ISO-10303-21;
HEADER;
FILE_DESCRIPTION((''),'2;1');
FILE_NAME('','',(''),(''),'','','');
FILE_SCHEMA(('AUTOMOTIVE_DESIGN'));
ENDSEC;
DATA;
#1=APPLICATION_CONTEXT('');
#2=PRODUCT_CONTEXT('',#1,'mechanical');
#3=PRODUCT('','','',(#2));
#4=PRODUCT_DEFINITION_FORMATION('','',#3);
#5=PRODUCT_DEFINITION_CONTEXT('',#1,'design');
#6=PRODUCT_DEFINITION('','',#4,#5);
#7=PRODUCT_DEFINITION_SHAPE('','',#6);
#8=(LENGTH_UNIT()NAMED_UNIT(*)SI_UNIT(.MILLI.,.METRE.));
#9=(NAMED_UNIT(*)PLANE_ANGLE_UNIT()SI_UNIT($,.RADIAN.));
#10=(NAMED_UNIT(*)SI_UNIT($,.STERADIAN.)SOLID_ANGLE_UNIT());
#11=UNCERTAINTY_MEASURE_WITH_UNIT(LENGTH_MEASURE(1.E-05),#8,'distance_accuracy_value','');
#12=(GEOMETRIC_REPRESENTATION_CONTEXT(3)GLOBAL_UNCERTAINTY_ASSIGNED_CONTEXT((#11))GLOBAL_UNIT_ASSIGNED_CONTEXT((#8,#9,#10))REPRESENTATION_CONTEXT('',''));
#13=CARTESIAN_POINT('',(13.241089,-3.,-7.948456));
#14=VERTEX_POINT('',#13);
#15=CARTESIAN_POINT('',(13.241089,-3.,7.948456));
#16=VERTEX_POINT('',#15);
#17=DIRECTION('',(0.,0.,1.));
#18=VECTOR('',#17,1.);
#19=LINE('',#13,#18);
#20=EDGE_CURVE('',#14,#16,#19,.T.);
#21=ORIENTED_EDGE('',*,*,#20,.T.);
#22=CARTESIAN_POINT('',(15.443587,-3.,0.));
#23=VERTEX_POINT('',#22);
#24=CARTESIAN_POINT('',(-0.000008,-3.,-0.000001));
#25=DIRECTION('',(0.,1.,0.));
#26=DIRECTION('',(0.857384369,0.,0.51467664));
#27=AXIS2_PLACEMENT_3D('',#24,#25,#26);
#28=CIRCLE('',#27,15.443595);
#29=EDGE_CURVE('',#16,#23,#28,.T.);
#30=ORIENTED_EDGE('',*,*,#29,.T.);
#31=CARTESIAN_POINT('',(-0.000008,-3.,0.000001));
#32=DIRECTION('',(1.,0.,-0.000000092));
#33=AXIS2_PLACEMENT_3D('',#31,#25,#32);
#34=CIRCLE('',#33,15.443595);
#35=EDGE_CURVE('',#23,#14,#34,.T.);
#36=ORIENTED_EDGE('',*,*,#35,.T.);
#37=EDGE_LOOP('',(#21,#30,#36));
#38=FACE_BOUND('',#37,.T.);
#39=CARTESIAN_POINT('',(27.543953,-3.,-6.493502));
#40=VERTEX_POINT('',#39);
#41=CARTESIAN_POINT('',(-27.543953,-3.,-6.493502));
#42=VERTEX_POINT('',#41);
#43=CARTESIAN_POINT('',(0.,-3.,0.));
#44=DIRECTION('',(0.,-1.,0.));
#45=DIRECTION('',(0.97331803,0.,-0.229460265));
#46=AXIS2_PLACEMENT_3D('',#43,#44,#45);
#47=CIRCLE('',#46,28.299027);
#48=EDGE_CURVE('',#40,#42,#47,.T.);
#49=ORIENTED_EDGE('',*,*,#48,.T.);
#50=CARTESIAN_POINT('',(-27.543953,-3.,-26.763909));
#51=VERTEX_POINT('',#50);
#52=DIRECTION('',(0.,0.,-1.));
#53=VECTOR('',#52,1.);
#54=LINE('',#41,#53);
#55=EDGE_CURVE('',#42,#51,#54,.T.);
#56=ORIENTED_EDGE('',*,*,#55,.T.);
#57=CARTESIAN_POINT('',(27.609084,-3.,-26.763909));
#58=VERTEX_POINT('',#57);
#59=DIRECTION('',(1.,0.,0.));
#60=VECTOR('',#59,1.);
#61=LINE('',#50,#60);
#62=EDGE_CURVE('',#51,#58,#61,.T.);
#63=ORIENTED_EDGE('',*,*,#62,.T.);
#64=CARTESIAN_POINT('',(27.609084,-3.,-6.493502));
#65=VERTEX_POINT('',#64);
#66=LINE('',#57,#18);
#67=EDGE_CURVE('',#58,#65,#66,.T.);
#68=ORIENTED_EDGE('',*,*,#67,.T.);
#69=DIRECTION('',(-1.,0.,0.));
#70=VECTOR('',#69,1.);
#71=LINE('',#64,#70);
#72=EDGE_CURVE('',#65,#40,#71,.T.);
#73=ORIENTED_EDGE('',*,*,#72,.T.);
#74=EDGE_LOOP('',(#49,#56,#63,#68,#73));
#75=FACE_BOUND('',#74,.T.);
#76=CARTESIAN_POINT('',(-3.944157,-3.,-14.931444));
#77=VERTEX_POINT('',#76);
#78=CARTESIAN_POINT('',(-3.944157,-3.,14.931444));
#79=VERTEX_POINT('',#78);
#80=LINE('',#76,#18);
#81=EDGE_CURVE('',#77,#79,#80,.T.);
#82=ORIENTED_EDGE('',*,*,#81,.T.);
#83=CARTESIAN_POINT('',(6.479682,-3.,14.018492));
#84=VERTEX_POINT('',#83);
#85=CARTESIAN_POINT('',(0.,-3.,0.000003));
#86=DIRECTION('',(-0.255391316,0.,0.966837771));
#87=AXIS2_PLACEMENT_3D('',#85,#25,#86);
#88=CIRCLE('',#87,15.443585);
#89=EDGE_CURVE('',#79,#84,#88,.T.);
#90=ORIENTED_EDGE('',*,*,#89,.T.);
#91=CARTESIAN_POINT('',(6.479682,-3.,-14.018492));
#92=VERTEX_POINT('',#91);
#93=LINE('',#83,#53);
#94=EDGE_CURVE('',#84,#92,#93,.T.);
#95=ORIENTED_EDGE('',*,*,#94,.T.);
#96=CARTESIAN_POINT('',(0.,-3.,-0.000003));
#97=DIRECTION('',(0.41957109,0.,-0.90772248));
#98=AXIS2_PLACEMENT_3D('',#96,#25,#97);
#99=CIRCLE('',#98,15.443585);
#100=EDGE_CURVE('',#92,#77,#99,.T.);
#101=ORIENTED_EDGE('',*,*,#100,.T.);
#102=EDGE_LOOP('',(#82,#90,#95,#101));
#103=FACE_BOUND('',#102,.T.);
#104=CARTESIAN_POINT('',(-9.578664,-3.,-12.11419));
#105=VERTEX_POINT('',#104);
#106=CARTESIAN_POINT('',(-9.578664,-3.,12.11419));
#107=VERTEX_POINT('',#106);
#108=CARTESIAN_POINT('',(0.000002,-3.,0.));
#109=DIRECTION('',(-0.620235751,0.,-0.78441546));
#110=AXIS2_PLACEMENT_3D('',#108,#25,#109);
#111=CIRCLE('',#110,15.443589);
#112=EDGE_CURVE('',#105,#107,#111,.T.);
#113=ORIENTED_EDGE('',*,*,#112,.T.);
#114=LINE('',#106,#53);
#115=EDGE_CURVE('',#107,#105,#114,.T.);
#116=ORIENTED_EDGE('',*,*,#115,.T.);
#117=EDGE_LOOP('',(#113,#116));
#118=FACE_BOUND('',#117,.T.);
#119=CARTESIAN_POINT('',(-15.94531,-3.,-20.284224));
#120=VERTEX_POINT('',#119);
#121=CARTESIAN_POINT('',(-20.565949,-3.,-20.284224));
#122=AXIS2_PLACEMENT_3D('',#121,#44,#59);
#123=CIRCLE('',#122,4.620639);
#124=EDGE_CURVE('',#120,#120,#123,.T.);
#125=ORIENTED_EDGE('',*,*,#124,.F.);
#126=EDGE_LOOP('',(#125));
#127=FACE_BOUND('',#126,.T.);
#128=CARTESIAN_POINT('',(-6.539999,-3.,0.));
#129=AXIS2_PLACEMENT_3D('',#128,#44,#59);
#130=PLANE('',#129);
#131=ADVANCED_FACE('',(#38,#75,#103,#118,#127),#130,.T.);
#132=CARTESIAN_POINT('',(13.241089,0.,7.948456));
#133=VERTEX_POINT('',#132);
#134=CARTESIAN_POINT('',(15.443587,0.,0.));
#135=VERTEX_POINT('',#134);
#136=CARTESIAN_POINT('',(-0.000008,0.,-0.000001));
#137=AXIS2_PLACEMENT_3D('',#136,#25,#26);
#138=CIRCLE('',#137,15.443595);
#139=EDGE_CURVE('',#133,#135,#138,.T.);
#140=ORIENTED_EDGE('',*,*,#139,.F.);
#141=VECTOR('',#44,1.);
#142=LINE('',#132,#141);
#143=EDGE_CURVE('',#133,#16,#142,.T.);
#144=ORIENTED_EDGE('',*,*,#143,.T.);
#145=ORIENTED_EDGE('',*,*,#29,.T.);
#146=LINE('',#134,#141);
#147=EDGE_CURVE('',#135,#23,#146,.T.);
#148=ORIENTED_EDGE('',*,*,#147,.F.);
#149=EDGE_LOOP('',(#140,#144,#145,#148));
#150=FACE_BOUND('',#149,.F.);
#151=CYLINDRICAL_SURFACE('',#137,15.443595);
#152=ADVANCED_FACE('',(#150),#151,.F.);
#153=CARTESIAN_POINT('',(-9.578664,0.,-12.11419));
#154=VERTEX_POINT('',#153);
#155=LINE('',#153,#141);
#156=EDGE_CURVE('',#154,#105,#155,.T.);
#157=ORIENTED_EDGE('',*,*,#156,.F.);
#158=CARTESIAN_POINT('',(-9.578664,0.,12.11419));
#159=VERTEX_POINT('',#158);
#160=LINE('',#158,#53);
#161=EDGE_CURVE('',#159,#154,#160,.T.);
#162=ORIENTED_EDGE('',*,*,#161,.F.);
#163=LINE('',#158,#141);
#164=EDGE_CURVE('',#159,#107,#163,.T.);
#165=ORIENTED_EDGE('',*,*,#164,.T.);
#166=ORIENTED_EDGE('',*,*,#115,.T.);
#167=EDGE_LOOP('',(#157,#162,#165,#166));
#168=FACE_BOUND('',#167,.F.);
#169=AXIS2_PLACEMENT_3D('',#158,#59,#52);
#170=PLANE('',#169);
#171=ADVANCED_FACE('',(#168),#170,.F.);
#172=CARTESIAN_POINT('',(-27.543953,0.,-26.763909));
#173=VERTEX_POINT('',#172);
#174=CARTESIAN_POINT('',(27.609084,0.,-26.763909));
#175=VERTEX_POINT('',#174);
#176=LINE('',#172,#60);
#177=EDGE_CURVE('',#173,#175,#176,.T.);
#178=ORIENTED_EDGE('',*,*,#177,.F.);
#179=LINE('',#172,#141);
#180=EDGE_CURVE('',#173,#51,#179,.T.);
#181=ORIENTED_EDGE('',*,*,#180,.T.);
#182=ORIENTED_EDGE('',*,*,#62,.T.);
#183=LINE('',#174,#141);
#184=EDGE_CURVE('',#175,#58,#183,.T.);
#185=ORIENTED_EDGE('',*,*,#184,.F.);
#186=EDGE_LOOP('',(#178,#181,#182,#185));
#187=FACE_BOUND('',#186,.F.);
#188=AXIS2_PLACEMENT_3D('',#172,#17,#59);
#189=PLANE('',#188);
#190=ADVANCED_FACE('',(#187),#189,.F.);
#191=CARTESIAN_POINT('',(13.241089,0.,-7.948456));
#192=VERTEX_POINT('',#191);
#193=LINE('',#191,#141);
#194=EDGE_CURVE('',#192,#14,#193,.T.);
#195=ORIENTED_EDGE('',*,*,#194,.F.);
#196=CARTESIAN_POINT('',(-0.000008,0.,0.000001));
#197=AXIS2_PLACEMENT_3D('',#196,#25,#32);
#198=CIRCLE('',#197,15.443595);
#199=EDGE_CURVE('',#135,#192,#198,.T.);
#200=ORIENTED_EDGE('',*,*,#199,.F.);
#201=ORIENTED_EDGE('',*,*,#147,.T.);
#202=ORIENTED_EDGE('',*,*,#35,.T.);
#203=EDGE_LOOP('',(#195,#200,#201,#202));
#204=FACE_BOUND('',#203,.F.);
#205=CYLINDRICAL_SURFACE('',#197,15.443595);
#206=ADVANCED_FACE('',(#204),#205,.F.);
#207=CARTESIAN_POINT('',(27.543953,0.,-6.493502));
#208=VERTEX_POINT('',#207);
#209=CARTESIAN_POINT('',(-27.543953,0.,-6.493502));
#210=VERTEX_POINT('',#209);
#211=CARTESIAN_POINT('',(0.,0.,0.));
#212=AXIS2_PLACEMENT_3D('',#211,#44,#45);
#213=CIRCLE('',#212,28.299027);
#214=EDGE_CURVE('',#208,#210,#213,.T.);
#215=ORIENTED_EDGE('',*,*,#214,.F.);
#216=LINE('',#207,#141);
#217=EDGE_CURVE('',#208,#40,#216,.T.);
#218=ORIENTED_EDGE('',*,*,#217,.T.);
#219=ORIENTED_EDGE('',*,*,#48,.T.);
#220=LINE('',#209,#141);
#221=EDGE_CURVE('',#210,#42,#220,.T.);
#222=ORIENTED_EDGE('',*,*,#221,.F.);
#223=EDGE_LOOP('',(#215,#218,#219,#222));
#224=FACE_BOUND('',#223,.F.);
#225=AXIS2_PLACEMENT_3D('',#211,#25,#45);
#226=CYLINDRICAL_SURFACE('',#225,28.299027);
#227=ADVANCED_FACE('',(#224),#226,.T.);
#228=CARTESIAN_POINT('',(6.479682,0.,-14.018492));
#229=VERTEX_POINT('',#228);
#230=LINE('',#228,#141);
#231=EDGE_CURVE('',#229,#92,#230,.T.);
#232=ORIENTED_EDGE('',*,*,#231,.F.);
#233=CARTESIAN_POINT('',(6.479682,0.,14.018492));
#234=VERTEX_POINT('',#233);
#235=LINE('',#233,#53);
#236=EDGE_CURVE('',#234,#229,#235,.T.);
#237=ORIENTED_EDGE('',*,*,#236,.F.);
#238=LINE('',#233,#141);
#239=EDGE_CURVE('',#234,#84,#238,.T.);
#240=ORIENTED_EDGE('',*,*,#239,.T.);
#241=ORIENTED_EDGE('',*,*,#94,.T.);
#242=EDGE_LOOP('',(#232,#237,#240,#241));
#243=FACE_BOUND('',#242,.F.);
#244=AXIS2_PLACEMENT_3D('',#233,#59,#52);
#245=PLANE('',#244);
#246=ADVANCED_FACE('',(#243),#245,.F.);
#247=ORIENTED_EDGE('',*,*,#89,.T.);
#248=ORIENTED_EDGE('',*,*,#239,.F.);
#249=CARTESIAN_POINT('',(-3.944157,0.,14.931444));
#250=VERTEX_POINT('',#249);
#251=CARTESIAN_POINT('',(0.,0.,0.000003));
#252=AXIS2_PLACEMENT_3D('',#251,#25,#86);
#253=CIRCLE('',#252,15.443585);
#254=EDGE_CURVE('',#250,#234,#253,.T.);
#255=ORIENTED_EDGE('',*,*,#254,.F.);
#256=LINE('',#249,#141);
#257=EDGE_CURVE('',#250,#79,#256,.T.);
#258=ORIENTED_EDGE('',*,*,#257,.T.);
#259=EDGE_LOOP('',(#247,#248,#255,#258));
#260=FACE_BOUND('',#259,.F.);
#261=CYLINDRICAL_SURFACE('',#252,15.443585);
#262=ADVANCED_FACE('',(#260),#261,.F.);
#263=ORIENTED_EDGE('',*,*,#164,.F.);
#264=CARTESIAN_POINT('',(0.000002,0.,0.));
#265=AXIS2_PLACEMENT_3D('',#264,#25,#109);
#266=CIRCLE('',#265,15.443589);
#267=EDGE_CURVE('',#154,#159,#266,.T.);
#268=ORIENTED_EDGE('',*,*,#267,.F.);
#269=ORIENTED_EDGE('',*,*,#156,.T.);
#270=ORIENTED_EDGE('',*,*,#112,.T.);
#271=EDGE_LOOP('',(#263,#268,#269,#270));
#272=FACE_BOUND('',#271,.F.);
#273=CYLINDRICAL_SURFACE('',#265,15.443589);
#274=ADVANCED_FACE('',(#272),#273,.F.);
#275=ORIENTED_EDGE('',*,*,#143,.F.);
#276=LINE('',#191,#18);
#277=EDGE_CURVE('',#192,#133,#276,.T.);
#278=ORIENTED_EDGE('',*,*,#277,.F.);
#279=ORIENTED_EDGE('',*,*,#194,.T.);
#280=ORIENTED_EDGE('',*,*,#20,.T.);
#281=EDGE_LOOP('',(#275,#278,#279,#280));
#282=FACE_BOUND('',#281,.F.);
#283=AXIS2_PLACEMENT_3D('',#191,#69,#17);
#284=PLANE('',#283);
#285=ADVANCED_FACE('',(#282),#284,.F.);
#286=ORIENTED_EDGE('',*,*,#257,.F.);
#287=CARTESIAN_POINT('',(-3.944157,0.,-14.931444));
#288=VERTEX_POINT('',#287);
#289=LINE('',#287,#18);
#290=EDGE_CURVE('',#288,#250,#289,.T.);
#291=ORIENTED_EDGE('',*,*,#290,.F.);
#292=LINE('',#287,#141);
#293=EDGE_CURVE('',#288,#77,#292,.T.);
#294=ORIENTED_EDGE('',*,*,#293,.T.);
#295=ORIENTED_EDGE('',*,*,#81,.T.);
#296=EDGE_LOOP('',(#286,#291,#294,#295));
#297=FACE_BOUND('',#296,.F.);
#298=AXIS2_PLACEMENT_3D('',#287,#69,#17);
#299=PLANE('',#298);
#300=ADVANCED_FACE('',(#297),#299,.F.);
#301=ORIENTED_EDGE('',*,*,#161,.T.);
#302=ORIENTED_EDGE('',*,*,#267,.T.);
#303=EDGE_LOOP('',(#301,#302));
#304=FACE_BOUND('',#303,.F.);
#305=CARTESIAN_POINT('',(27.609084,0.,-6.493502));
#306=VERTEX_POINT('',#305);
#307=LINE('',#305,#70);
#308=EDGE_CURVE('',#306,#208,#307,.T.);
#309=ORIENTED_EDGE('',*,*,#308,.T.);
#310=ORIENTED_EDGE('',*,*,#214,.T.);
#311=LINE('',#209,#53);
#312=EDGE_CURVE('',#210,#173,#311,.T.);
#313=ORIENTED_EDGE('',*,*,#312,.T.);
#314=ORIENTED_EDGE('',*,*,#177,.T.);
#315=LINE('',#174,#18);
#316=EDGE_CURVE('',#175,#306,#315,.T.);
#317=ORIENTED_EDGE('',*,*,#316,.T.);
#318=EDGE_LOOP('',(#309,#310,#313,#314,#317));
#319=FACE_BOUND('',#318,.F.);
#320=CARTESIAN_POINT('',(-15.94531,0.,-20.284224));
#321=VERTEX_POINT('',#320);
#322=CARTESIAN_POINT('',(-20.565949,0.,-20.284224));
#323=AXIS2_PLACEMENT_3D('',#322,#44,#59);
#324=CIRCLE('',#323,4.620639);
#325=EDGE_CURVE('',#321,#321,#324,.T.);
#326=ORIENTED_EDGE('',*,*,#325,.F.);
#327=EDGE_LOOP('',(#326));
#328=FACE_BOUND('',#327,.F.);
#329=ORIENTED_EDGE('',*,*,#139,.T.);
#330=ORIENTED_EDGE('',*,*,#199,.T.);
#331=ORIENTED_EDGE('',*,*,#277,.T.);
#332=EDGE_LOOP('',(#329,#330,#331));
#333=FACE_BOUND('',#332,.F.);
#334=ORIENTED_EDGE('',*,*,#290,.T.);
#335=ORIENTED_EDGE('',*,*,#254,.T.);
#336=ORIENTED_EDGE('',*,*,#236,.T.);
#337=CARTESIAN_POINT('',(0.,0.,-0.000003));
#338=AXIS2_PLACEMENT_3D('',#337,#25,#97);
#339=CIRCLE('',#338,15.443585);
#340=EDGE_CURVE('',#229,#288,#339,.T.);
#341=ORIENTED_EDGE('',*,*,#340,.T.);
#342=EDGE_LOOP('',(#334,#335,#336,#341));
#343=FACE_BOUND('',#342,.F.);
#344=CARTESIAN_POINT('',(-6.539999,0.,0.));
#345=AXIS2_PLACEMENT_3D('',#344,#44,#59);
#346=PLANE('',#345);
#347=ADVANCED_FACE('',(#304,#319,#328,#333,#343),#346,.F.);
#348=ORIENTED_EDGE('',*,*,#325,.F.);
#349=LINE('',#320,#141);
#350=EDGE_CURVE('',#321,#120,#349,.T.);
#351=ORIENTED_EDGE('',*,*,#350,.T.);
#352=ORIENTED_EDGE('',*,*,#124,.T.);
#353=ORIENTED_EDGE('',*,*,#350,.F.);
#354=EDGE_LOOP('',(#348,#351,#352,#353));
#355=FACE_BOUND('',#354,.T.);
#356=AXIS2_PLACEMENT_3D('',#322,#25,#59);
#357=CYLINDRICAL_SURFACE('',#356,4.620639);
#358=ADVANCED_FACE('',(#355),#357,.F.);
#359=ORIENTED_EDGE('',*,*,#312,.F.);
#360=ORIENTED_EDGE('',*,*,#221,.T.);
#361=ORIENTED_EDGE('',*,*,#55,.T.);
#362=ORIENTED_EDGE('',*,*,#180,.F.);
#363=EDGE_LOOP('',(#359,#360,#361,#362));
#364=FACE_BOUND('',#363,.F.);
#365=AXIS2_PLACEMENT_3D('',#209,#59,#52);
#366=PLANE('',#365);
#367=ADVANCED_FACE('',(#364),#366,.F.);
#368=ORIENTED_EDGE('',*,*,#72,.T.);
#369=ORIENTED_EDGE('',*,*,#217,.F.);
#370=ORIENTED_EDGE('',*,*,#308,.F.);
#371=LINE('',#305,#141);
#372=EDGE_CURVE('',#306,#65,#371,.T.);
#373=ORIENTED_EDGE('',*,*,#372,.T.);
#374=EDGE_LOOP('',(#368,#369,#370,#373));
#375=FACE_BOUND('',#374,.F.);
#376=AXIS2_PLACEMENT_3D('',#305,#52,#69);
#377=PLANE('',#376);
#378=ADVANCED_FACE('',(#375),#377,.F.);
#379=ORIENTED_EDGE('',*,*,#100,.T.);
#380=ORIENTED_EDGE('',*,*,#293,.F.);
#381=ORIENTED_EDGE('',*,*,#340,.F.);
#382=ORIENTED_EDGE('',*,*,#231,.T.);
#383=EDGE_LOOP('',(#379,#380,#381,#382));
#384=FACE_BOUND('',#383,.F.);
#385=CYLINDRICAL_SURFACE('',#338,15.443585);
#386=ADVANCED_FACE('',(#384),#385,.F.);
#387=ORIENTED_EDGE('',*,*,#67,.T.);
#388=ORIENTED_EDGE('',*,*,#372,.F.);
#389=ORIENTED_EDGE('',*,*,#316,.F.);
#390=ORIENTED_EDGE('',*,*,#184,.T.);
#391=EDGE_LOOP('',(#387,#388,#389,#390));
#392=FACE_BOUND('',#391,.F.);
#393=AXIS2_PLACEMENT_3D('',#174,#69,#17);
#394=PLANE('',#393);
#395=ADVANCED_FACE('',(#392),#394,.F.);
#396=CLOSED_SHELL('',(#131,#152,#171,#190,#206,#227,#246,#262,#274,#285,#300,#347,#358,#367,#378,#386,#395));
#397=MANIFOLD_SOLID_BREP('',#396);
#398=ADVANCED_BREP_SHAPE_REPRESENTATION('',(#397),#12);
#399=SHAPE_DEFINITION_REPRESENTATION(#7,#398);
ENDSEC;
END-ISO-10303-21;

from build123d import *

# Parameters (mm, degrees)
F0_R     = 4.620639
F1_DEPTH = 3
F2_DEPTH = 3


with BuildPart() as f1:
    # F0 (on Front) → F1 (new body)
    with BuildSketch(Plane.XZ):
        with BuildLine():
            Line((-27.543953, -26.763909), (27.609084, -26.763909))
            Line((27.609084, -26.763909), (27.609084, -6.493502))
            Line((27.609084, -6.493502), (27.543953, -6.493502))
            ThreePointArc((27.543953, -6.493502), (0, 28.299027), (-27.543953, -6.493502))
            Line((-27.543953, -6.493502), (-27.543953, -26.763909))
        make_face()
        with Locations((-20.565949, -20.284224)):
            Circle(F0_R, mode=Mode.SUBTRACT)
        with BuildLine():
            ThreePointArc((13.241089, 7.948456), (14.88278, 4.123983), (15.443587, 0))
            ThreePointArc((15.443587, 0), (14.88278, -4.123983), (13.241089, -7.948456))
            ThreePointArc((13.241089, -7.948456), (10.316905, -11.491991), (6.479682, -14.018492))
            ThreePointArc((6.479682, -14.018492), (1.347439, -15.384694), (-3.944157, -14.931444))
            ThreePointArc((-3.944157, -14.931444), (-6.906584, -13.813164), (-9.578664, -12.11419))
            ThreePointArc((-9.578664, -12.11419), (-15.443587, 0), (-9.578664, 12.11419))
            ThreePointArc((-9.578664, 12.11419), (-6.906584, 13.813164), (-3.944157, 14.931444))
            ThreePointArc((-3.944157, 14.931444), (1.347439, 15.384694), (6.479682, 14.018492))
            ThreePointArc((6.479682, 14.018492), (10.316905, 11.491991), (13.241089, 7.948456))
        make_face(mode=Mode.SUBTRACT)
    extrude(amount=F1_DEPTH)

    # F0 (on Front) → F2 (join)
    with BuildSketch(Plane.XZ):
        with BuildLine():
            Line((-3.944157, -14.931444), (-3.944157, 14.931444))
            ThreePointArc((-3.944157, 14.931444), (-6.906584, 13.813164), (-9.578664, 12.11419))
            Line((-9.578664, 12.11419), (-9.578664, -12.11419))
            ThreePointArc((-9.578664, -12.11419), (-6.906584, -13.813164), (-3.944157, -14.931444))
        make_face()
        with BuildLine():
            Line((13.241089, -7.948456), (13.241089, 7.948456))
            ThreePointArc((13.241089, 7.948456), (10.316905, 11.491991), (6.479682, 14.018492))
            Line((6.479682, 14.018492), (6.479682, -14.018492))
            ThreePointArc((6.479682, -14.018492), (10.316905, -11.491991), (13.241089, -7.948456))
        make_face()
    extrude(amount=F2_DEPTH)


solid = f1.part
